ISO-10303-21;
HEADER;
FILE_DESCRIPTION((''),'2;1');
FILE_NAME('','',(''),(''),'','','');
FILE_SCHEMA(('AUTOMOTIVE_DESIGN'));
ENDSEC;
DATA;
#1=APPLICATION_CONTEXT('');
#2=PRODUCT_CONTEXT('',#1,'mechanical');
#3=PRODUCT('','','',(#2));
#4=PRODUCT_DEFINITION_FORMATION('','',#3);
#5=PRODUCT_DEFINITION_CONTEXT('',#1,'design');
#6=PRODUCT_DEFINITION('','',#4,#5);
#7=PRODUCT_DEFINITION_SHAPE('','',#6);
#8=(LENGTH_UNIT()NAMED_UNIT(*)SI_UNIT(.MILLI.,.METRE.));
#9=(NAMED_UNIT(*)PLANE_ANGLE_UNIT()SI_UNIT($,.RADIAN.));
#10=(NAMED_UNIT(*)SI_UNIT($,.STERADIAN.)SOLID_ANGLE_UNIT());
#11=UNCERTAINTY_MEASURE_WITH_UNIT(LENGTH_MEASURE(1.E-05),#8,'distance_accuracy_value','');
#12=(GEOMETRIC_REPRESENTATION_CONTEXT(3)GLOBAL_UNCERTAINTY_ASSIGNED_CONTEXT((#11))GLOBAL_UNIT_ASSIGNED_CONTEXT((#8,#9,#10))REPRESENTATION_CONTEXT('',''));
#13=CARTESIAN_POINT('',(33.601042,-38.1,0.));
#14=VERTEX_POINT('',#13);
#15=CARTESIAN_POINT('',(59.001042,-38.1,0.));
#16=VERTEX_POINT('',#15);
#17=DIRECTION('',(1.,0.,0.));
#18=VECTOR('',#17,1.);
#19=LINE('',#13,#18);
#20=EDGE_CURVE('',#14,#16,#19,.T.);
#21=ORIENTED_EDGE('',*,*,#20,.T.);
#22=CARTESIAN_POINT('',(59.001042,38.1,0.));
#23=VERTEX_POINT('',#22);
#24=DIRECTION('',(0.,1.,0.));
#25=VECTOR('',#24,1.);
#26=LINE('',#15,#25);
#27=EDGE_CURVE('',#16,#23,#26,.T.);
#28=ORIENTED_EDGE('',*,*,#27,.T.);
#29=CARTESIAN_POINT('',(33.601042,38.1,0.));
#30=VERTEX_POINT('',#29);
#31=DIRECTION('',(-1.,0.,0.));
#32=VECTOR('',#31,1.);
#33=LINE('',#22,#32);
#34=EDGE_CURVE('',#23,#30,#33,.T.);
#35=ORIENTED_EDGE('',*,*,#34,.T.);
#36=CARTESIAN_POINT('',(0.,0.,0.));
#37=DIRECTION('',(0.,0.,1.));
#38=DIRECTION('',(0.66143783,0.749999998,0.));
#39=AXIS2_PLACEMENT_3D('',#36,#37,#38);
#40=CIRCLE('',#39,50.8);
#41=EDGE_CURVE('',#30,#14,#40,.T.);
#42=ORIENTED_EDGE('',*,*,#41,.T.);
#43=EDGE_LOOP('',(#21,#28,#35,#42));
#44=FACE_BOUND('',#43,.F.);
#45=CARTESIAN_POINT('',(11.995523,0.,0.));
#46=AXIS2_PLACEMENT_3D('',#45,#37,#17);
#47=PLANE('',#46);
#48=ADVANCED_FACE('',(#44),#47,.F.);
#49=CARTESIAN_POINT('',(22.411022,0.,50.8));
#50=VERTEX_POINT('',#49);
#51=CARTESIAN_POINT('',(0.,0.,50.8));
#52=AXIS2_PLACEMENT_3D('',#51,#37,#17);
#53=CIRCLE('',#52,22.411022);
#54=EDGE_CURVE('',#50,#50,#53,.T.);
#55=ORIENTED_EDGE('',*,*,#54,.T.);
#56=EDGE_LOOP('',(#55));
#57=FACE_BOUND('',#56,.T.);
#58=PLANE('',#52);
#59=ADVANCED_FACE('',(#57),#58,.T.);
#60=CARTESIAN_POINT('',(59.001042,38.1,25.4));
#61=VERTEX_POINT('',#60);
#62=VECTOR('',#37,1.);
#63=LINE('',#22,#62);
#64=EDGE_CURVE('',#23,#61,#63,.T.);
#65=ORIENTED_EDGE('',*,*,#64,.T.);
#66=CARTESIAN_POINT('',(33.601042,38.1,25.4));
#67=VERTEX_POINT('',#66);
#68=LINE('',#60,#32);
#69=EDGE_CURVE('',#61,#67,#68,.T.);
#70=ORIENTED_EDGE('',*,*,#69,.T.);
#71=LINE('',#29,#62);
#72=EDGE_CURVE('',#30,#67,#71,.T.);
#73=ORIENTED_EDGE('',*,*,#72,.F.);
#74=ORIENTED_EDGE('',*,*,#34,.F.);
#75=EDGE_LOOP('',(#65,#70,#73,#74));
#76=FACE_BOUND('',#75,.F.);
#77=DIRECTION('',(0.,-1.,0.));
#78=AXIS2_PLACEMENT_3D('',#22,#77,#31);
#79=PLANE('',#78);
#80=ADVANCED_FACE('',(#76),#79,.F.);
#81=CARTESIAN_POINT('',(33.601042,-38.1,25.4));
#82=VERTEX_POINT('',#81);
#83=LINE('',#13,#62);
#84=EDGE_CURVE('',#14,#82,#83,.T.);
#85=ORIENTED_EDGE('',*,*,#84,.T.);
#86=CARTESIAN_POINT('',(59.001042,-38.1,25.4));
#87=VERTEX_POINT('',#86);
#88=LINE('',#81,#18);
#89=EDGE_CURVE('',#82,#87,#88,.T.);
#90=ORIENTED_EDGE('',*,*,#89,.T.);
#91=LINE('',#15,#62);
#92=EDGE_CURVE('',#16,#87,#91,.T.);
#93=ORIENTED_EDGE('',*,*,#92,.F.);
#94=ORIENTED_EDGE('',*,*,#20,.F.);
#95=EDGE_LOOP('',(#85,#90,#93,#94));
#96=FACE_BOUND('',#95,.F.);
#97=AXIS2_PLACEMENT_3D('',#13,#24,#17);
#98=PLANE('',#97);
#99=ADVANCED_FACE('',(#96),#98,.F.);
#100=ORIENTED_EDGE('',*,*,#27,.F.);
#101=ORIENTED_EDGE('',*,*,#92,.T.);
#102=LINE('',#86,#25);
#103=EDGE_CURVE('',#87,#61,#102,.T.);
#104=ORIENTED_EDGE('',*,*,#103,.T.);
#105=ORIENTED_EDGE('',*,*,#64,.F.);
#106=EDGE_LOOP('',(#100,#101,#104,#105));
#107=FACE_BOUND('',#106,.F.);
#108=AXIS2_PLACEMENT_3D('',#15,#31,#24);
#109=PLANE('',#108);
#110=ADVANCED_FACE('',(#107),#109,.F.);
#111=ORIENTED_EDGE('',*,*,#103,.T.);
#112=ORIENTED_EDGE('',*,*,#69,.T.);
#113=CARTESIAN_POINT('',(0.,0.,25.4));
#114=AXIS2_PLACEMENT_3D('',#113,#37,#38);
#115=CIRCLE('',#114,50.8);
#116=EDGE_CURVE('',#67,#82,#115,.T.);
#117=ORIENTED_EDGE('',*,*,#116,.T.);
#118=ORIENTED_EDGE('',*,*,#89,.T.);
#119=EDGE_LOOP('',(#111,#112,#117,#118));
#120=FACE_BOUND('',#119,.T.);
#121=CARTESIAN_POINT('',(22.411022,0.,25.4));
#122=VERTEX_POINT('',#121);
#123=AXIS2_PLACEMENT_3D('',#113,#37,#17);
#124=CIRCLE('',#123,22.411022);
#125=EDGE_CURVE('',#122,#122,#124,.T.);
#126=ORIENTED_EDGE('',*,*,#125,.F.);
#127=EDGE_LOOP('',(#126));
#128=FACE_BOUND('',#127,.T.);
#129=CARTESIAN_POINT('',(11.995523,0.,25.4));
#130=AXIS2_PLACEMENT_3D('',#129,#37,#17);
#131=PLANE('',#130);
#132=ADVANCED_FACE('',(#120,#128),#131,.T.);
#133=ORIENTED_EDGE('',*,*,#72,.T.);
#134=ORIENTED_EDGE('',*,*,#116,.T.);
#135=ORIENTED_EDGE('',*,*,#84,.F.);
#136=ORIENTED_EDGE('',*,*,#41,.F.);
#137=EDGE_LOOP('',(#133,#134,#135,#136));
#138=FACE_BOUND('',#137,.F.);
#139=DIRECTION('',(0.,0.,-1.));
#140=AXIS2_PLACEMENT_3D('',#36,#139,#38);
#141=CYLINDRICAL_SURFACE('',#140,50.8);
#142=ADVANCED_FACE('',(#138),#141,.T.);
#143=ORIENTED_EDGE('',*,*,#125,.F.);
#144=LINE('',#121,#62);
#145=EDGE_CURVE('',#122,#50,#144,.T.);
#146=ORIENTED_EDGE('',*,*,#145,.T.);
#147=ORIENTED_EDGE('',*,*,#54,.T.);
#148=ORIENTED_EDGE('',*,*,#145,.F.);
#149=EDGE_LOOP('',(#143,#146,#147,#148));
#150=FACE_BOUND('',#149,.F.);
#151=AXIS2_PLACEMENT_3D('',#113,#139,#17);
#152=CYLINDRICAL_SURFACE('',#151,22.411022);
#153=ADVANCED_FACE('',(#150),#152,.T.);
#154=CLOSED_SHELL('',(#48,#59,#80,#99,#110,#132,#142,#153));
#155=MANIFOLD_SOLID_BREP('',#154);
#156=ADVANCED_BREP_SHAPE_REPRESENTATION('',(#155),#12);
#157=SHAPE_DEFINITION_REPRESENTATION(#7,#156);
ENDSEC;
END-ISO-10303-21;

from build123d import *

# Parameters (mm, degrees)
F1_DEPTH = 25.4
F2_R     = 22.411022
F3_DEPTH = 25.4


with BuildPart() as f1:
    # F0 (on Top) → F1 (new body)
    with BuildSketch(Plane.XY):
        with BuildLine():
            Line((59.001042, 38.1), (33.601042, 38.1))
            ThreePointArc((33.601042, 38.1), (-50.8, 0), (33.601042, -38.1))
            Line((33.601042, -38.1), (59.001042, -38.1))
            Line((59.001042, -38.1), (59.001042, 38.1))
        make_face()
    extrude(amount=F1_DEPTH)

    # F2 (on face) → F3 (join)
    with BuildSketch(Plane.XY.offset(25.4)):
        Circle(F2_R)
    extrude(amount=F3_DEPTH)


solid = f1.part
